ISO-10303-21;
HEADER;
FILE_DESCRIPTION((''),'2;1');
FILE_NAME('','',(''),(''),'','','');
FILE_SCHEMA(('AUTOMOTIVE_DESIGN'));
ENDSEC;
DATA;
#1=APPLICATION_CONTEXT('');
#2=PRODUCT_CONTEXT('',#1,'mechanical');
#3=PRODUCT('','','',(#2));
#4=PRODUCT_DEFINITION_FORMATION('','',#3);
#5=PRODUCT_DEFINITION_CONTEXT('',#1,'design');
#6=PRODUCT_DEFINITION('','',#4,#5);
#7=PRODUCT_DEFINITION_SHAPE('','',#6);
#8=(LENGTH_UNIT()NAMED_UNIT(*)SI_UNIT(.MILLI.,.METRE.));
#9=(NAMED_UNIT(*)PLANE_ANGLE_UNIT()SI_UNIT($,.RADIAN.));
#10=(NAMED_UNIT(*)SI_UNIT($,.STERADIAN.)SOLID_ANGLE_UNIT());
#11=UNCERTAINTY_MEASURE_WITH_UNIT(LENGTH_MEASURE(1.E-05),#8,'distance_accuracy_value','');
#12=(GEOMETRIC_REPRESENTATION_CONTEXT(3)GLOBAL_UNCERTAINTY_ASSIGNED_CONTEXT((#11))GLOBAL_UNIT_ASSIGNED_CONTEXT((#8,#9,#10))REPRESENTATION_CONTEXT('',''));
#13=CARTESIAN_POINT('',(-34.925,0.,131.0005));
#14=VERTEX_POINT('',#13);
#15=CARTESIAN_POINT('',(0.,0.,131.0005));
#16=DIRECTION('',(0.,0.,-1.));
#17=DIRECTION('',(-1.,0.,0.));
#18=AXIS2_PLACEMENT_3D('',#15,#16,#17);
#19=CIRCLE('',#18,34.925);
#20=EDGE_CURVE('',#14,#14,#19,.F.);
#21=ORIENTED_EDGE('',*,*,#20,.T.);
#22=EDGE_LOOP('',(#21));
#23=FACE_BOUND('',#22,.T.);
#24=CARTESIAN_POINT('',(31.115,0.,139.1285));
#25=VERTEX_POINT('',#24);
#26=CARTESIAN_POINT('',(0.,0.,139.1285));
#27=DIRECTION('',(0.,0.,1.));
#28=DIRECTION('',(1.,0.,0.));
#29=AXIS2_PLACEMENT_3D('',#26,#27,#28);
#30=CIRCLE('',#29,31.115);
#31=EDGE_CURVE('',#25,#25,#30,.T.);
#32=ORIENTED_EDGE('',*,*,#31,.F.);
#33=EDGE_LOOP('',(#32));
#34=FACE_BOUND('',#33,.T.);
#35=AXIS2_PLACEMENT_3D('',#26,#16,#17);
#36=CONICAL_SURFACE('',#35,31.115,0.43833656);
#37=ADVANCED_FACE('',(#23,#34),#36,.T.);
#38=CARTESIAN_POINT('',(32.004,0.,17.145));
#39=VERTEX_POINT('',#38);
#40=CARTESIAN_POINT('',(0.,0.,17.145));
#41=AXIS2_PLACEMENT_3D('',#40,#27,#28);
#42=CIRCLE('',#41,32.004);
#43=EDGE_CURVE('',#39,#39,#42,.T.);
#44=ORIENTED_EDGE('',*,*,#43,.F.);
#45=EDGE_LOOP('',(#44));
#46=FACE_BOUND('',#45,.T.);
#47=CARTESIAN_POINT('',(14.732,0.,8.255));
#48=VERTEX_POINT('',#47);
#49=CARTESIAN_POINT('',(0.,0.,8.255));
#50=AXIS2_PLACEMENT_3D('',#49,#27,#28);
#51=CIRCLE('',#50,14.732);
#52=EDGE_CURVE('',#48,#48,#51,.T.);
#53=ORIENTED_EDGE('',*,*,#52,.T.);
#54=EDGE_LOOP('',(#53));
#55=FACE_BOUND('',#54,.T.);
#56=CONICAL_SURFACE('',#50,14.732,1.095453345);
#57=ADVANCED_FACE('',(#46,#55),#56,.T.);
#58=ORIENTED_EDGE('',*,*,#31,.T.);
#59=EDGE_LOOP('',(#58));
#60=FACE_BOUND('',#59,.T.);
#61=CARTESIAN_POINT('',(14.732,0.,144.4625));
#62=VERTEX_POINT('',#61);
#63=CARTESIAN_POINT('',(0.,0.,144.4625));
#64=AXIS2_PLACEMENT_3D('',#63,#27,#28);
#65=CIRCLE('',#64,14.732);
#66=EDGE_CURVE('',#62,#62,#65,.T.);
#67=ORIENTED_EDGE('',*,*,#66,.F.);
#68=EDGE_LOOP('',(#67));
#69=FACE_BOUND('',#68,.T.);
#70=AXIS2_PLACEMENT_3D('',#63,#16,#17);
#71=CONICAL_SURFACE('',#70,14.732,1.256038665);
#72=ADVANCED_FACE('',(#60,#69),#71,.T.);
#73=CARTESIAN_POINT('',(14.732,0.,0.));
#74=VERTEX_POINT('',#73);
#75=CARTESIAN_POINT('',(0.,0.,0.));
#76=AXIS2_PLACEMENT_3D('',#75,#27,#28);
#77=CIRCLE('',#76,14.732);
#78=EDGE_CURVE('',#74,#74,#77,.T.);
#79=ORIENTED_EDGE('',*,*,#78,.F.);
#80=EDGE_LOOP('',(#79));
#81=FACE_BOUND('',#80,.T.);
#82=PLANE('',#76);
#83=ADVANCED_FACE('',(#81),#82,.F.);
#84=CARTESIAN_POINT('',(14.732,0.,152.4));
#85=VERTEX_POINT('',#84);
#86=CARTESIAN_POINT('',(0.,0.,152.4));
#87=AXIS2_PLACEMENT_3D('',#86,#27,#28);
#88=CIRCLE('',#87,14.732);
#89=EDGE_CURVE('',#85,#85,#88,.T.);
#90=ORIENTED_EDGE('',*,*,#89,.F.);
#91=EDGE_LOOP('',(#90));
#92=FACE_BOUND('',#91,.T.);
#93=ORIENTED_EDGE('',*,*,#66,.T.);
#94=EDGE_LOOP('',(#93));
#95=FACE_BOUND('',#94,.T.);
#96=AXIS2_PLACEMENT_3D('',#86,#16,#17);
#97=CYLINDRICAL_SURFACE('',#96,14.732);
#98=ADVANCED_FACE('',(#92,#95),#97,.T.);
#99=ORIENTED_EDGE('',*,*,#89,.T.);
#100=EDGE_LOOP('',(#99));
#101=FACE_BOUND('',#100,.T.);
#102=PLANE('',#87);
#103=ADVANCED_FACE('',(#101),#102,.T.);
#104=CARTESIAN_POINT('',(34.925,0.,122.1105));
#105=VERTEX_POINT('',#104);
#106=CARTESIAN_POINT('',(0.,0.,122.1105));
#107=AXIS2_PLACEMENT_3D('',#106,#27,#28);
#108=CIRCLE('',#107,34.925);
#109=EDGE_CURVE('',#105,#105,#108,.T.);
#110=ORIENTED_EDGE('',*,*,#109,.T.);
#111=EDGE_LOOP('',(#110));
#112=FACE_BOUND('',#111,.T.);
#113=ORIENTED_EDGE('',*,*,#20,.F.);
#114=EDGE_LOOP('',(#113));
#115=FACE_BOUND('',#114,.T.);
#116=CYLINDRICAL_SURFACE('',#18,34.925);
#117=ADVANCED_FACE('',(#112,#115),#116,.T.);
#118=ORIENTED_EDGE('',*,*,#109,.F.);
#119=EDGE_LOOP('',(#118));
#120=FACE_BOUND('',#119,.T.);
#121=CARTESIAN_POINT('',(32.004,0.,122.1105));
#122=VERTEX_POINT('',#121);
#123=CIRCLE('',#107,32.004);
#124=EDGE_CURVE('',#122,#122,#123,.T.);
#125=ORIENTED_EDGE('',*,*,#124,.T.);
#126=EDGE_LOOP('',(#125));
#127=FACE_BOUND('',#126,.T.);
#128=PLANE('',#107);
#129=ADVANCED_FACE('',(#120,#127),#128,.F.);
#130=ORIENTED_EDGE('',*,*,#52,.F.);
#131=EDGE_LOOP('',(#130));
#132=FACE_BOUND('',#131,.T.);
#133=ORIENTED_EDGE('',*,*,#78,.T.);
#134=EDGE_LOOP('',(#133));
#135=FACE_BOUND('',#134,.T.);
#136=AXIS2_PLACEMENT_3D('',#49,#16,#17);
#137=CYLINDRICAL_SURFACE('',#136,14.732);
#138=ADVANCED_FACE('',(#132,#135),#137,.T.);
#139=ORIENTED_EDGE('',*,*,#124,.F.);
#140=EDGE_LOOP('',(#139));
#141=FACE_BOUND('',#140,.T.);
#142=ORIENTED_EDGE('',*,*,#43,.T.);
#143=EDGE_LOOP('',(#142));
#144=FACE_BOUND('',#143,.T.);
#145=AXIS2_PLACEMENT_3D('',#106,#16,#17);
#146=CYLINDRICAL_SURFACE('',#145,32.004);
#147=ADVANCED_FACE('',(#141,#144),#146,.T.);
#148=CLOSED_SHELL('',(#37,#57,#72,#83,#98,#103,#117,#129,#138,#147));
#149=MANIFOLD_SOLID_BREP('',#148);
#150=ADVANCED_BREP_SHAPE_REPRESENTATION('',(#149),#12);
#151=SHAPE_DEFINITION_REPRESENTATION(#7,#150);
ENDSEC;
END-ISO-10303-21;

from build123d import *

# Parameters (mm, degrees)
SKETCH1_R           = 14.732
BOSS_EXTRUDE1_DEPTH = 8.255
SKETCH2_R           = 14.732
SKETCH3_R           = 32.004
SKETCH4_R           = 32.004
BOSS_EXTRUDE2_DEPTH = 104.9655
SKETCH5_R           = 34.925
BOSS_EXTRUDE3_DEPTH = 8.89
SKETCH6_R           = 34.925
SKETCH7_R           = 31.115
SKETCH8_R           = 31.115
SKETCH9_R           = 14.732
SKETCH10_R          = 14.732
BOSS_EXTRUDE4_DEPTH = 7.9375


with BuildPart() as part:
    # Sketch1 → Boss-Extrude1 (new body)
    with BuildSketch(Plane.XY):
        Circle(SKETCH1_R)
    extrude(amount=BOSS_EXTRUDE1_DEPTH)

    # Sketch2 → Loft1 section 0
    with BuildSketch(Plane.XY.offset(8.255)):
        Circle(SKETCH2_R)
    # Sketch3 → Loft1 section 1
    with BuildSketch(Plane.XY.offset(17.145)):
        Circle(SKETCH3_R)
    loft()

    # Sketch4 → Boss-Extrude2 (add)
    with BuildSketch(Plane.XY.offset(17.145)):
        Circle(SKETCH4_R)
    extrude(amount=BOSS_EXTRUDE2_DEPTH)

    # Sketch5 → Boss-Extrude3 (add)
    with BuildSketch(Plane.XY.offset(122.1105)):
        Circle(SKETCH5_R)
    extrude(amount=BOSS_EXTRUDE3_DEPTH)

    # Sketch6 → Loft2 section 0
    with BuildSketch(Plane.XY.offset(131.0005)):
        Circle(SKETCH6_R)
    # Sketch7 → Loft2 section 1
    with BuildSketch(Plane.XY.offset(139.1285)):
        Circle(SKETCH7_R)
    loft()

    # Sketch8 → Loft3 section 0
    with BuildSketch(Plane.XY.offset(139.1285)):
        Circle(SKETCH8_R)
    # Sketch9 → Loft3 section 1
    with BuildSketch(Plane.XY.offset(144.4625)):
        Circle(SKETCH9_R)
    loft()

    # Sketch10 → Boss-Extrude4 (add)
    with BuildSketch(Plane.XY.offset(144.4625)):
        Circle(SKETCH10_R)
    extrude(amount=BOSS_EXTRUDE4_DEPTH)


solid = part.part
